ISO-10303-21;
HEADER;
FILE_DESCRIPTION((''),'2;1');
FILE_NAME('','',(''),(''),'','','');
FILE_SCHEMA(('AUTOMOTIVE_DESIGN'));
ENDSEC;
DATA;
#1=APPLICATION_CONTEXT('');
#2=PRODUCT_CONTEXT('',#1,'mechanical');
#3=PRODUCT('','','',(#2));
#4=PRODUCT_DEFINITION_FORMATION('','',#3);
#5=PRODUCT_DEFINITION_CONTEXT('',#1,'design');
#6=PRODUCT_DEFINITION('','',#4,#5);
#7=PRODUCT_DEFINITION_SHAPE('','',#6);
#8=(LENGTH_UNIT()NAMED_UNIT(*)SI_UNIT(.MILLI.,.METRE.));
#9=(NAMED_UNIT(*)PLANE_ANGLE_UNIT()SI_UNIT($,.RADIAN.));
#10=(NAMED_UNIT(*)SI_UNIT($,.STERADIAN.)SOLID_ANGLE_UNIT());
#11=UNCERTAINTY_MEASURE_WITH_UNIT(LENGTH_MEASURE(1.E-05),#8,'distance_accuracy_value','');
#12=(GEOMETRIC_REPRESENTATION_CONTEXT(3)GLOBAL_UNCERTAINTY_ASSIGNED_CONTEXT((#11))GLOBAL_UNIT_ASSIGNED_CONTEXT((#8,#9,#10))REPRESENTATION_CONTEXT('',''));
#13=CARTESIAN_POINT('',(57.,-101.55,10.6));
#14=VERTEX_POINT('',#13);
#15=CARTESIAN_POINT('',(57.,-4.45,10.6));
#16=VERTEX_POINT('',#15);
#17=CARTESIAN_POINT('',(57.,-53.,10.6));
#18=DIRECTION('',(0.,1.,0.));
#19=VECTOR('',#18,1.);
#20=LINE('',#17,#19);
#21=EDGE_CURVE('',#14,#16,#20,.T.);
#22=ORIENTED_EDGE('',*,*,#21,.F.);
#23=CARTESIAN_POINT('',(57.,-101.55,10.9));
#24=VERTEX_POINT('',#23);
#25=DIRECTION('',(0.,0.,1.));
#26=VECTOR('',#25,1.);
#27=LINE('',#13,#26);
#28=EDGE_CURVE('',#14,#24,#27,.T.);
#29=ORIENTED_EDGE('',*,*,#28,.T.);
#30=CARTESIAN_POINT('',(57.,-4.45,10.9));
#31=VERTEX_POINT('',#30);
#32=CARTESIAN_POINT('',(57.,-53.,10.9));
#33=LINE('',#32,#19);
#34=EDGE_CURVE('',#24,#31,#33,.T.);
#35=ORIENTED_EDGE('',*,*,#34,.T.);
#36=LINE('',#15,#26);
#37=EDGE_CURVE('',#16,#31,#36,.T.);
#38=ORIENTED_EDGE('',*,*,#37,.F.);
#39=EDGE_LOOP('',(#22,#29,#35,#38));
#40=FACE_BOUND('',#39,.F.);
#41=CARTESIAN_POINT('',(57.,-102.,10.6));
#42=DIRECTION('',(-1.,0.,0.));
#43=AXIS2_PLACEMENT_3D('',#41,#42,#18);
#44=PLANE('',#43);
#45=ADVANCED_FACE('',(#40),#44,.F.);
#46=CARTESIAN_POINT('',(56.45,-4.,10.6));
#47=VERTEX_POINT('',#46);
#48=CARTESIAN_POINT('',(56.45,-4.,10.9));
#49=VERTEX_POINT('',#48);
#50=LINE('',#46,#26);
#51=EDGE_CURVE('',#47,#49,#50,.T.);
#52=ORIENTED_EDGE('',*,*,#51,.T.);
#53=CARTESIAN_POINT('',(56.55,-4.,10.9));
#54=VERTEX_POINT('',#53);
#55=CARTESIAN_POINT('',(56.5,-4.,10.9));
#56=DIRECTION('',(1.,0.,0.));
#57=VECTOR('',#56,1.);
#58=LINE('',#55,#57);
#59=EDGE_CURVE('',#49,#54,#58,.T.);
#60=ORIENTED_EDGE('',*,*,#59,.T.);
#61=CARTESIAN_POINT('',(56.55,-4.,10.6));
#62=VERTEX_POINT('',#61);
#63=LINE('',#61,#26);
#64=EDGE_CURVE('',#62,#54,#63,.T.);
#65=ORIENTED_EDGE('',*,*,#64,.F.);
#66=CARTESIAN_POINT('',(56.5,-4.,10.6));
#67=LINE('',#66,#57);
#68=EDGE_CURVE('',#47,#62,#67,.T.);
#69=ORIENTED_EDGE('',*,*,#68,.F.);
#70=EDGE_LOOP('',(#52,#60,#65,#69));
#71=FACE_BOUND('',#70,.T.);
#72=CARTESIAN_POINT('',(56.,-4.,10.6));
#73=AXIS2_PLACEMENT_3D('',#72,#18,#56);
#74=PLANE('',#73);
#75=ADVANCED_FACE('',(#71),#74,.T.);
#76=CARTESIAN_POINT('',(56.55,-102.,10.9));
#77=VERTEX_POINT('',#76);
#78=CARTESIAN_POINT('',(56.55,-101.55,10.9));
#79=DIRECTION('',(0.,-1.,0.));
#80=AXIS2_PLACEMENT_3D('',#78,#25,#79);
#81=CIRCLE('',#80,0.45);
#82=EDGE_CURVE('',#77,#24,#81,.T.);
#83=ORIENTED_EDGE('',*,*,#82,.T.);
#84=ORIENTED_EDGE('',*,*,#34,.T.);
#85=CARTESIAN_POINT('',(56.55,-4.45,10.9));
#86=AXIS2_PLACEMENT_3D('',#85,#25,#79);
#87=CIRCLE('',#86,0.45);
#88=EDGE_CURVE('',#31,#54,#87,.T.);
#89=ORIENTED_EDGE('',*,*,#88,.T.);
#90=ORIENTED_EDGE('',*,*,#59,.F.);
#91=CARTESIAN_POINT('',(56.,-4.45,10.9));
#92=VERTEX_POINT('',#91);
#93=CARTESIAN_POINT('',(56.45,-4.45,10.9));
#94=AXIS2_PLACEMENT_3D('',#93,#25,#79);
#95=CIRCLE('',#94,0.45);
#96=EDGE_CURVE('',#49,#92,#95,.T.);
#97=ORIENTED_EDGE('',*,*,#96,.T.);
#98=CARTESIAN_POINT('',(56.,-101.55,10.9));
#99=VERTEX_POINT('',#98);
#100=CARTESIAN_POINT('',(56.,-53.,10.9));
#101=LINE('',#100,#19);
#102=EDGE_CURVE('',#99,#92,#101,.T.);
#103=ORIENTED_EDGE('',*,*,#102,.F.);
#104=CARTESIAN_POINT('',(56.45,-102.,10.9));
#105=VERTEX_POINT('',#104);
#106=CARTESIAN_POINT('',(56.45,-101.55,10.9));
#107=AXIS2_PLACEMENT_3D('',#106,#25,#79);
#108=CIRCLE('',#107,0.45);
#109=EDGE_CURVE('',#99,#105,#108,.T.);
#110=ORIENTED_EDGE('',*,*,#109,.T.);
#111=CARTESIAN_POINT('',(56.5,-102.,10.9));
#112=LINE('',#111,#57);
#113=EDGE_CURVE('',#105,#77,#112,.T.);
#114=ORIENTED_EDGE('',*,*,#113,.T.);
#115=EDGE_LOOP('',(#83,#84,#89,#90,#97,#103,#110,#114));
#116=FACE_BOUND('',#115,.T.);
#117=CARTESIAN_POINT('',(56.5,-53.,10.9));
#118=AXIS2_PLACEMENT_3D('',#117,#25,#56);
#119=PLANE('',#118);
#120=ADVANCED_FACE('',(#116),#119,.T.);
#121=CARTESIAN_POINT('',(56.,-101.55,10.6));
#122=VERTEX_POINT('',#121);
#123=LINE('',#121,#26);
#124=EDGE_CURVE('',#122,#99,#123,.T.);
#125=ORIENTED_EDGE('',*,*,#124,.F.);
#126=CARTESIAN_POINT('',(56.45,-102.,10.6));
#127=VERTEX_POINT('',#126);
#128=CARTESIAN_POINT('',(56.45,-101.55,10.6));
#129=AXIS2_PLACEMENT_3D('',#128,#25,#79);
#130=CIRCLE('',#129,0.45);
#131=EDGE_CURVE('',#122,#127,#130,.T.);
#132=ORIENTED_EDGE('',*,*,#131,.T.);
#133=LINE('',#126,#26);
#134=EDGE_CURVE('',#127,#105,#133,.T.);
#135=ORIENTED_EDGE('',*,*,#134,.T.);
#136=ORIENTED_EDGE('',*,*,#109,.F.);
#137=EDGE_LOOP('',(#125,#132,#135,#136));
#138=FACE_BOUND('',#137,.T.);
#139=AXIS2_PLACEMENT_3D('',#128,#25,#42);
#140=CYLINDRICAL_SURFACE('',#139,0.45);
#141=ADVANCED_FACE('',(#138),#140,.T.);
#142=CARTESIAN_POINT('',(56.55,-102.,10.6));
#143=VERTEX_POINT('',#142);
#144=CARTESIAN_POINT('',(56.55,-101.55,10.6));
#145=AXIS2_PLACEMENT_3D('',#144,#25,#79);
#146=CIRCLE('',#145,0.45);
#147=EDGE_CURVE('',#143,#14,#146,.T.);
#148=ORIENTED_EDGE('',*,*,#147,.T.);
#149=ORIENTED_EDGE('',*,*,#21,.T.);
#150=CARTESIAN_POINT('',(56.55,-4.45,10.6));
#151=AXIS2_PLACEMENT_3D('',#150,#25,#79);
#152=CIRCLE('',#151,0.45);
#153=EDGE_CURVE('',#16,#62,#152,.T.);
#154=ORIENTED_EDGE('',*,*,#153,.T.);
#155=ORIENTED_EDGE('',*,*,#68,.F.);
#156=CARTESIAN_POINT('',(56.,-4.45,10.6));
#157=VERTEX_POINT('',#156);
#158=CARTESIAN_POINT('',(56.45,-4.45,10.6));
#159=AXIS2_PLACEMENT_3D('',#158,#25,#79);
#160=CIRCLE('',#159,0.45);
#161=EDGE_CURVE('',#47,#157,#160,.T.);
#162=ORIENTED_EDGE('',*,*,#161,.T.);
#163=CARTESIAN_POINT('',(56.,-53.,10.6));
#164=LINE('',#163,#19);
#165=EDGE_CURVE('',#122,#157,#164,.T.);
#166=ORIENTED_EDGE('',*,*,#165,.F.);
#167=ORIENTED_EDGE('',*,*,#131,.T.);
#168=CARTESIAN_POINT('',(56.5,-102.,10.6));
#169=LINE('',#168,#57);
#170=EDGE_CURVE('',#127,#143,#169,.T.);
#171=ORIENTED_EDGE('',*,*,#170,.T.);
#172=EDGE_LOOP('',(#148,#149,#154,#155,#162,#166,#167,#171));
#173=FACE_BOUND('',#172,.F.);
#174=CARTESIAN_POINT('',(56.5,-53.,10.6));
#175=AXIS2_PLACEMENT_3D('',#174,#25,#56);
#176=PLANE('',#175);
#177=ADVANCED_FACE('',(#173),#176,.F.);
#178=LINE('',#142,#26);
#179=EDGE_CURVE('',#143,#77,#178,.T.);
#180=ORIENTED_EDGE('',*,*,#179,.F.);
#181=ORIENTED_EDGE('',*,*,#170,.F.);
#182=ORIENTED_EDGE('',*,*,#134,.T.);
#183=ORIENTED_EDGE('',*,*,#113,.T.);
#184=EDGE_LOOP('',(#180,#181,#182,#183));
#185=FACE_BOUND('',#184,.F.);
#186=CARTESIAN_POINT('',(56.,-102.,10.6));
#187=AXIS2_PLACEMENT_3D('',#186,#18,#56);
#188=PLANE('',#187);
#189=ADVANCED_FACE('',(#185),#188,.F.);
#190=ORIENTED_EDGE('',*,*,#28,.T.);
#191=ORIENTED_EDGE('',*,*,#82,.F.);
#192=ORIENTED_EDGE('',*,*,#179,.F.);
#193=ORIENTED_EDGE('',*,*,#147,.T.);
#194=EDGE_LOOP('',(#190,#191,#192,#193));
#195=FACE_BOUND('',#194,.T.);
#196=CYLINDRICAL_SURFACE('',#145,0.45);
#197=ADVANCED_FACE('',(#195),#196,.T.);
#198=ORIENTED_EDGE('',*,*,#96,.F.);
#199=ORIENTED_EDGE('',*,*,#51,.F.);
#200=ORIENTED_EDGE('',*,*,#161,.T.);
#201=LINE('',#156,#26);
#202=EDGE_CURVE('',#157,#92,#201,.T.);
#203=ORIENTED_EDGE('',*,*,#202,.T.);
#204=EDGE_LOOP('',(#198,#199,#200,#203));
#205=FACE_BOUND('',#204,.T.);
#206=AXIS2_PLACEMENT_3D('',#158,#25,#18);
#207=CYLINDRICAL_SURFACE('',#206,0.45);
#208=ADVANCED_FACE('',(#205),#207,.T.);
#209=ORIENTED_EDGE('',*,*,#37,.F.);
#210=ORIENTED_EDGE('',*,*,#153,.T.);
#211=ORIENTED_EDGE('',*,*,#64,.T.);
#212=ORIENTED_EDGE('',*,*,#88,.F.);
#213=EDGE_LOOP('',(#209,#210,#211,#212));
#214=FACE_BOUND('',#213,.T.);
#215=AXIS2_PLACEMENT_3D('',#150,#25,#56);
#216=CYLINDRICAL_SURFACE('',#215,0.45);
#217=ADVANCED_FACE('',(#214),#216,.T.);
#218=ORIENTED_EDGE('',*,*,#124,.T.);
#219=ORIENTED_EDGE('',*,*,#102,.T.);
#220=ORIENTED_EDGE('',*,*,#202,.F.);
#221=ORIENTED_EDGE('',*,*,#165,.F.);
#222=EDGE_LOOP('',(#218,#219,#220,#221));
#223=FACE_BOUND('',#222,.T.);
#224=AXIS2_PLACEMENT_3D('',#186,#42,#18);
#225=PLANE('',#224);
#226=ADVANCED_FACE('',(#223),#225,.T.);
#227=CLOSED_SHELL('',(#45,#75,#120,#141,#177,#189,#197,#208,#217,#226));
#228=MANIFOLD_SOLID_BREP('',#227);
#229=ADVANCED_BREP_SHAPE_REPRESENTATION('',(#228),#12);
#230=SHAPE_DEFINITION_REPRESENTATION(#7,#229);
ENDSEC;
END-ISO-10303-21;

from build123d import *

# Parameters (mm, degrees)
BOX006_W     = 1
BOX006_H     = 98
BOX006_DEPTH = 0.3
FILLET007_R  = 0.45
FILLET008_R  = 0.45
FILLET009_R  = 0.45
FILLET010_R  = 0.45


with BuildPart() as part:
    # Box006 → Box006 (new body)
    with BuildSketch(Plane(origin=(56, -102, 10.6), x_dir=(1, 0, 0), z_dir=(0, 0, 1))):
        with Locations((0.5, 49)):
            Rectangle(BOX006_W, BOX006_H)
    extrude(amount=BOX006_DEPTH)

    # Fillet007
    fillet007_edges = [part.edges().sort_by_distance(p)[0] for p in [
        (56, -102, 10.75),
    ]]
    fillet(fillet007_edges, radius=FILLET007_R)

    # Fillet008
    fillet008_edges = [part.edges().sort_by_distance(p)[0] for p in [
        (57, -102, 10.75),
    ]]
    fillet(fillet008_edges, radius=FILLET008_R)

    # Fillet009
    fillet009_edges = [part.edges().sort_by_distance(p)[0] for p in [
        (57, -4, 10.75),
    ]]
    fillet(fillet009_edges, radius=FILLET009_R)

    # Fillet010
    fillet010_edges = [part.edges().sort_by_distance(p)[0] for p in [
        (56, -4, 10.75),
    ]]
    fillet(fillet010_edges, radius=FILLET010_R)


solid = part.part
